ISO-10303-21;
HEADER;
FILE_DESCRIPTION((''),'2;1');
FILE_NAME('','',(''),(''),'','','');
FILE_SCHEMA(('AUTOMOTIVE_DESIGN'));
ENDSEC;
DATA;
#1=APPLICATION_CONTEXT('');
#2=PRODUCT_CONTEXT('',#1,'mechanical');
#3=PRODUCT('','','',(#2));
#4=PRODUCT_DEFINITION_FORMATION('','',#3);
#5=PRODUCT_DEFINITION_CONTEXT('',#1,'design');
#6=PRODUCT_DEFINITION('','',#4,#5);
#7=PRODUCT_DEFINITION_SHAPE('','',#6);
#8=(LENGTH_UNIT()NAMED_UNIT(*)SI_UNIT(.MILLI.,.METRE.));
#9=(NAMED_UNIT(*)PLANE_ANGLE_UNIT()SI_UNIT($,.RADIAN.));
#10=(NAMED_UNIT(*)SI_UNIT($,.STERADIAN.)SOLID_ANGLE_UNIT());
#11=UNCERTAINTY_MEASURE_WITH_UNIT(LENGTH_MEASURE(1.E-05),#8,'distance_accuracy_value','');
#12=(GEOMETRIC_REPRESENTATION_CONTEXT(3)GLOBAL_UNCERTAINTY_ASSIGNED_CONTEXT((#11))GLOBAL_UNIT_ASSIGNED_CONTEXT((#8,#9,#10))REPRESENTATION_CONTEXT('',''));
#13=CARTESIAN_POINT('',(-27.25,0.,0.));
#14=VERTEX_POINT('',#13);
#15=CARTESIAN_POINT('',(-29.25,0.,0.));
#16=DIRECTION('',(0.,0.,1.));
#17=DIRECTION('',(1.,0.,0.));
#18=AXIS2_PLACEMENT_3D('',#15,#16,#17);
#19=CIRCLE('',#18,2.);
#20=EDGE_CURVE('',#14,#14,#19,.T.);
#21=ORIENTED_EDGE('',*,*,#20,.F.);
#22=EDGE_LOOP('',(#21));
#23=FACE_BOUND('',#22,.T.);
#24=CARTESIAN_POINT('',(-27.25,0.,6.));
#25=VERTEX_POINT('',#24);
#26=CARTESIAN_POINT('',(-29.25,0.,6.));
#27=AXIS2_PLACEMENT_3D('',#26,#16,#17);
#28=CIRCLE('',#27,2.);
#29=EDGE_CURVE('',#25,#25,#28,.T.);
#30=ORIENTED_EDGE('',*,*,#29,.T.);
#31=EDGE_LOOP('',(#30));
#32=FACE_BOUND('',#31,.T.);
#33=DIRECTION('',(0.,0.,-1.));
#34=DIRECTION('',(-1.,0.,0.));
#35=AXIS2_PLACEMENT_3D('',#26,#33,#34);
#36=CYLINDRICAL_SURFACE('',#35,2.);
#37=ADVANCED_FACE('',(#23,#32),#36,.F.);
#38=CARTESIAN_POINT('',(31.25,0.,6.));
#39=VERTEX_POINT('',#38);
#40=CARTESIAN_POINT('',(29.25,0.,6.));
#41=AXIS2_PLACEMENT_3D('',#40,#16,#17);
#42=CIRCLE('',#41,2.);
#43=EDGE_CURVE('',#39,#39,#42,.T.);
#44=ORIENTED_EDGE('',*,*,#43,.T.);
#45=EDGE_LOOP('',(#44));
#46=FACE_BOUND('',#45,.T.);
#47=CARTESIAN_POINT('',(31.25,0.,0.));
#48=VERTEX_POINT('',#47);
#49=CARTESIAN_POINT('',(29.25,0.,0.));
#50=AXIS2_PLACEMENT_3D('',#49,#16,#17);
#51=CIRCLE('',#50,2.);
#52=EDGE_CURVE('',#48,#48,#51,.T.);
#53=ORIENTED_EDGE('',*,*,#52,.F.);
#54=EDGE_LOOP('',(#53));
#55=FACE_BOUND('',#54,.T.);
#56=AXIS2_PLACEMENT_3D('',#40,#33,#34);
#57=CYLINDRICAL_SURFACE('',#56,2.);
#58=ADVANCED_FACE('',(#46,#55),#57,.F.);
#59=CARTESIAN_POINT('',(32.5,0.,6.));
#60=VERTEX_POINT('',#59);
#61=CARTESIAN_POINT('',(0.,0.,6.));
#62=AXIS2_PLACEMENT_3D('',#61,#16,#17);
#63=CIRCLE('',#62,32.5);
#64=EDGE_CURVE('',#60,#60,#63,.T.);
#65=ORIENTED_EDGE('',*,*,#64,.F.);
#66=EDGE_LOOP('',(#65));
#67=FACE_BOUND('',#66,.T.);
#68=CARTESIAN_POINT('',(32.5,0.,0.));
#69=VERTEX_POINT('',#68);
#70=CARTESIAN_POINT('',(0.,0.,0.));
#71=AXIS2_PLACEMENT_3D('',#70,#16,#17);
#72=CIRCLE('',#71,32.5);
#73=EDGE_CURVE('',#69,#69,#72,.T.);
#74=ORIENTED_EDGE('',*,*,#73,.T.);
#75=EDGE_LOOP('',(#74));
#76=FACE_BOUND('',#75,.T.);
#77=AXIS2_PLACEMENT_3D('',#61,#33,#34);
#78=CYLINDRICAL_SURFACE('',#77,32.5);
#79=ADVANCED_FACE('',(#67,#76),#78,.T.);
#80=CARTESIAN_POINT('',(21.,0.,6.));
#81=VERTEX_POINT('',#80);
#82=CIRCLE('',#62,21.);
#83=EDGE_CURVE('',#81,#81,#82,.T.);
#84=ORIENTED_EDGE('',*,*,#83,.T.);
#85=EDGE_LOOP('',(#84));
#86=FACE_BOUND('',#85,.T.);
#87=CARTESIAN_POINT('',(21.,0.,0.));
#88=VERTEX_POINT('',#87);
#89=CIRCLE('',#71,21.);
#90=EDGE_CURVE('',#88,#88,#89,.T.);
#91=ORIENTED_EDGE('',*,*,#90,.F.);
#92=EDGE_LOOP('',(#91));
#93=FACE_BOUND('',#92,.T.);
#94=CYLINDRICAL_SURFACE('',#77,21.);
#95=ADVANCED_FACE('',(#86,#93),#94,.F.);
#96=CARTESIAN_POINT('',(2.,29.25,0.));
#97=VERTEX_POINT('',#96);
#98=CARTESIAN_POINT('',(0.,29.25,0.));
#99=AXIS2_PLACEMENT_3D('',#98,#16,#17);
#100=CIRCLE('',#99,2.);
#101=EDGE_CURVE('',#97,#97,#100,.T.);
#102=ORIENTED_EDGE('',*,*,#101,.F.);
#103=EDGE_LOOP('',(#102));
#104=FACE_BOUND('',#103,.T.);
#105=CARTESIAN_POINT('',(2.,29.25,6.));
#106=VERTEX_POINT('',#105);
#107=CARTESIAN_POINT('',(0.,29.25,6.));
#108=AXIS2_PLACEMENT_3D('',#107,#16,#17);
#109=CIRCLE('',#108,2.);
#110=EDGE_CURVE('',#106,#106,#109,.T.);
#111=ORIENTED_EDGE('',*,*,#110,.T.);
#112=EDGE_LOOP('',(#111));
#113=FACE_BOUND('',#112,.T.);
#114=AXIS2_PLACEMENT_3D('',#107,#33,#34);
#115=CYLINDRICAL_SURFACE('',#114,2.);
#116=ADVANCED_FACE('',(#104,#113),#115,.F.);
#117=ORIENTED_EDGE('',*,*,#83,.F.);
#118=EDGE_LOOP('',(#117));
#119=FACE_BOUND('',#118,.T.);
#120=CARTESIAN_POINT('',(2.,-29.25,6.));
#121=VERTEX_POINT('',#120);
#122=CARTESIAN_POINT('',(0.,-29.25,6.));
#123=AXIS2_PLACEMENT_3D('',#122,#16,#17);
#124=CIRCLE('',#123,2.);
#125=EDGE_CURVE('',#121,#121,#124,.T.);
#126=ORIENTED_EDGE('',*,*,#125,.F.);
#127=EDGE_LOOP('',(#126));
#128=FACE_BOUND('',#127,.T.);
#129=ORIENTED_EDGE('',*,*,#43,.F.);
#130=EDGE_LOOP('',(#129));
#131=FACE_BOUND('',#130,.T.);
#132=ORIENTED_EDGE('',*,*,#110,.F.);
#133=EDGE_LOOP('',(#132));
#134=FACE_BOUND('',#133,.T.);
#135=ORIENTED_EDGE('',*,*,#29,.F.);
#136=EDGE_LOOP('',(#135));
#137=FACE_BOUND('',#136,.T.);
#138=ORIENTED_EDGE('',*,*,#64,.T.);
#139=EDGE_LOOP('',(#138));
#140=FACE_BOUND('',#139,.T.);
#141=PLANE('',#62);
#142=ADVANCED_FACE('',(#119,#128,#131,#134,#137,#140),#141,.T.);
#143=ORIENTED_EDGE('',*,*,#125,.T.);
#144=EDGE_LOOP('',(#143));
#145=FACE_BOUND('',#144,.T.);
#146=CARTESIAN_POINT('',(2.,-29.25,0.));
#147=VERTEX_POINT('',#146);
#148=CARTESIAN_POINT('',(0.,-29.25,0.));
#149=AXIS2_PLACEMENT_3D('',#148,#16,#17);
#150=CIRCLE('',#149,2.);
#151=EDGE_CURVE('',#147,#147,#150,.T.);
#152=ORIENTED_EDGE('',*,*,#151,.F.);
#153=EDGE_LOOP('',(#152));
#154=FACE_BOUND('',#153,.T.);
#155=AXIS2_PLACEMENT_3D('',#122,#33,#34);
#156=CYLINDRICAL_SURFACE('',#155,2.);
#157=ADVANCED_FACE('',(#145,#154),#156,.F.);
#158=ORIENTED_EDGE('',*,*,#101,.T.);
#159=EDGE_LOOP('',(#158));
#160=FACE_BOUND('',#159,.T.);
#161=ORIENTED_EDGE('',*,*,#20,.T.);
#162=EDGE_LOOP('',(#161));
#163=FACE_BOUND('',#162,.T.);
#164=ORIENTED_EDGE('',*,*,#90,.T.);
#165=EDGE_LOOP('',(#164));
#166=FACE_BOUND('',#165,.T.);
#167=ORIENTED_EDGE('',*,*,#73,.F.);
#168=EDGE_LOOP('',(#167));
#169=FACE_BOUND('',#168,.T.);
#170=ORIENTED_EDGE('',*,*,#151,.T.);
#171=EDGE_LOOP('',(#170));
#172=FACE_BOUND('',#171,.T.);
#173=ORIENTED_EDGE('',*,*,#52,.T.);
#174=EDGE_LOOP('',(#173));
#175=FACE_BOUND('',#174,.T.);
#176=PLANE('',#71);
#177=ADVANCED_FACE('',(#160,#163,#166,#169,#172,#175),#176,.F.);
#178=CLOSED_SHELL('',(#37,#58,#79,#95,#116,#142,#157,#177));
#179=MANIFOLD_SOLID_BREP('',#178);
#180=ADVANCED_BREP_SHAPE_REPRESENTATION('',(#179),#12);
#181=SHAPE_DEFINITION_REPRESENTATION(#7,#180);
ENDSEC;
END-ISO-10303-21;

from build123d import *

# Parameters (mm, degrees)
ESQUISSE1_R        = 32.5
ESQUISSE1_R_2      = 21
ESQUISSE1_R_3      = 2
BOSS_EXTRU_1_DEPTH = 6


with BuildPart() as part:
    # Esquisse1 → Boss.-Extru.1 (new body)
    with BuildSketch(Plane.XY):
        Circle(ESQUISSE1_R)
        Circle(ESQUISSE1_R_2, mode=Mode.SUBTRACT)
        with Locations((0, 29.25)):
            Circle(ESQUISSE1_R_3, mode=Mode.SUBTRACT)
        with Locations((29.25, 0)):
            Circle(ESQUISSE1_R_3, mode=Mode.SUBTRACT)
        with Locations((0, -29.25)):
            Circle(ESQUISSE1_R_3, mode=Mode.SUBTRACT)
        with Locations((-29.25, 0)):
            Circle(ESQUISSE1_R_3, mode=Mode.SUBTRACT)
    extrude(amount=BOSS_EXTRU_1_DEPTH)


solid = part.part
